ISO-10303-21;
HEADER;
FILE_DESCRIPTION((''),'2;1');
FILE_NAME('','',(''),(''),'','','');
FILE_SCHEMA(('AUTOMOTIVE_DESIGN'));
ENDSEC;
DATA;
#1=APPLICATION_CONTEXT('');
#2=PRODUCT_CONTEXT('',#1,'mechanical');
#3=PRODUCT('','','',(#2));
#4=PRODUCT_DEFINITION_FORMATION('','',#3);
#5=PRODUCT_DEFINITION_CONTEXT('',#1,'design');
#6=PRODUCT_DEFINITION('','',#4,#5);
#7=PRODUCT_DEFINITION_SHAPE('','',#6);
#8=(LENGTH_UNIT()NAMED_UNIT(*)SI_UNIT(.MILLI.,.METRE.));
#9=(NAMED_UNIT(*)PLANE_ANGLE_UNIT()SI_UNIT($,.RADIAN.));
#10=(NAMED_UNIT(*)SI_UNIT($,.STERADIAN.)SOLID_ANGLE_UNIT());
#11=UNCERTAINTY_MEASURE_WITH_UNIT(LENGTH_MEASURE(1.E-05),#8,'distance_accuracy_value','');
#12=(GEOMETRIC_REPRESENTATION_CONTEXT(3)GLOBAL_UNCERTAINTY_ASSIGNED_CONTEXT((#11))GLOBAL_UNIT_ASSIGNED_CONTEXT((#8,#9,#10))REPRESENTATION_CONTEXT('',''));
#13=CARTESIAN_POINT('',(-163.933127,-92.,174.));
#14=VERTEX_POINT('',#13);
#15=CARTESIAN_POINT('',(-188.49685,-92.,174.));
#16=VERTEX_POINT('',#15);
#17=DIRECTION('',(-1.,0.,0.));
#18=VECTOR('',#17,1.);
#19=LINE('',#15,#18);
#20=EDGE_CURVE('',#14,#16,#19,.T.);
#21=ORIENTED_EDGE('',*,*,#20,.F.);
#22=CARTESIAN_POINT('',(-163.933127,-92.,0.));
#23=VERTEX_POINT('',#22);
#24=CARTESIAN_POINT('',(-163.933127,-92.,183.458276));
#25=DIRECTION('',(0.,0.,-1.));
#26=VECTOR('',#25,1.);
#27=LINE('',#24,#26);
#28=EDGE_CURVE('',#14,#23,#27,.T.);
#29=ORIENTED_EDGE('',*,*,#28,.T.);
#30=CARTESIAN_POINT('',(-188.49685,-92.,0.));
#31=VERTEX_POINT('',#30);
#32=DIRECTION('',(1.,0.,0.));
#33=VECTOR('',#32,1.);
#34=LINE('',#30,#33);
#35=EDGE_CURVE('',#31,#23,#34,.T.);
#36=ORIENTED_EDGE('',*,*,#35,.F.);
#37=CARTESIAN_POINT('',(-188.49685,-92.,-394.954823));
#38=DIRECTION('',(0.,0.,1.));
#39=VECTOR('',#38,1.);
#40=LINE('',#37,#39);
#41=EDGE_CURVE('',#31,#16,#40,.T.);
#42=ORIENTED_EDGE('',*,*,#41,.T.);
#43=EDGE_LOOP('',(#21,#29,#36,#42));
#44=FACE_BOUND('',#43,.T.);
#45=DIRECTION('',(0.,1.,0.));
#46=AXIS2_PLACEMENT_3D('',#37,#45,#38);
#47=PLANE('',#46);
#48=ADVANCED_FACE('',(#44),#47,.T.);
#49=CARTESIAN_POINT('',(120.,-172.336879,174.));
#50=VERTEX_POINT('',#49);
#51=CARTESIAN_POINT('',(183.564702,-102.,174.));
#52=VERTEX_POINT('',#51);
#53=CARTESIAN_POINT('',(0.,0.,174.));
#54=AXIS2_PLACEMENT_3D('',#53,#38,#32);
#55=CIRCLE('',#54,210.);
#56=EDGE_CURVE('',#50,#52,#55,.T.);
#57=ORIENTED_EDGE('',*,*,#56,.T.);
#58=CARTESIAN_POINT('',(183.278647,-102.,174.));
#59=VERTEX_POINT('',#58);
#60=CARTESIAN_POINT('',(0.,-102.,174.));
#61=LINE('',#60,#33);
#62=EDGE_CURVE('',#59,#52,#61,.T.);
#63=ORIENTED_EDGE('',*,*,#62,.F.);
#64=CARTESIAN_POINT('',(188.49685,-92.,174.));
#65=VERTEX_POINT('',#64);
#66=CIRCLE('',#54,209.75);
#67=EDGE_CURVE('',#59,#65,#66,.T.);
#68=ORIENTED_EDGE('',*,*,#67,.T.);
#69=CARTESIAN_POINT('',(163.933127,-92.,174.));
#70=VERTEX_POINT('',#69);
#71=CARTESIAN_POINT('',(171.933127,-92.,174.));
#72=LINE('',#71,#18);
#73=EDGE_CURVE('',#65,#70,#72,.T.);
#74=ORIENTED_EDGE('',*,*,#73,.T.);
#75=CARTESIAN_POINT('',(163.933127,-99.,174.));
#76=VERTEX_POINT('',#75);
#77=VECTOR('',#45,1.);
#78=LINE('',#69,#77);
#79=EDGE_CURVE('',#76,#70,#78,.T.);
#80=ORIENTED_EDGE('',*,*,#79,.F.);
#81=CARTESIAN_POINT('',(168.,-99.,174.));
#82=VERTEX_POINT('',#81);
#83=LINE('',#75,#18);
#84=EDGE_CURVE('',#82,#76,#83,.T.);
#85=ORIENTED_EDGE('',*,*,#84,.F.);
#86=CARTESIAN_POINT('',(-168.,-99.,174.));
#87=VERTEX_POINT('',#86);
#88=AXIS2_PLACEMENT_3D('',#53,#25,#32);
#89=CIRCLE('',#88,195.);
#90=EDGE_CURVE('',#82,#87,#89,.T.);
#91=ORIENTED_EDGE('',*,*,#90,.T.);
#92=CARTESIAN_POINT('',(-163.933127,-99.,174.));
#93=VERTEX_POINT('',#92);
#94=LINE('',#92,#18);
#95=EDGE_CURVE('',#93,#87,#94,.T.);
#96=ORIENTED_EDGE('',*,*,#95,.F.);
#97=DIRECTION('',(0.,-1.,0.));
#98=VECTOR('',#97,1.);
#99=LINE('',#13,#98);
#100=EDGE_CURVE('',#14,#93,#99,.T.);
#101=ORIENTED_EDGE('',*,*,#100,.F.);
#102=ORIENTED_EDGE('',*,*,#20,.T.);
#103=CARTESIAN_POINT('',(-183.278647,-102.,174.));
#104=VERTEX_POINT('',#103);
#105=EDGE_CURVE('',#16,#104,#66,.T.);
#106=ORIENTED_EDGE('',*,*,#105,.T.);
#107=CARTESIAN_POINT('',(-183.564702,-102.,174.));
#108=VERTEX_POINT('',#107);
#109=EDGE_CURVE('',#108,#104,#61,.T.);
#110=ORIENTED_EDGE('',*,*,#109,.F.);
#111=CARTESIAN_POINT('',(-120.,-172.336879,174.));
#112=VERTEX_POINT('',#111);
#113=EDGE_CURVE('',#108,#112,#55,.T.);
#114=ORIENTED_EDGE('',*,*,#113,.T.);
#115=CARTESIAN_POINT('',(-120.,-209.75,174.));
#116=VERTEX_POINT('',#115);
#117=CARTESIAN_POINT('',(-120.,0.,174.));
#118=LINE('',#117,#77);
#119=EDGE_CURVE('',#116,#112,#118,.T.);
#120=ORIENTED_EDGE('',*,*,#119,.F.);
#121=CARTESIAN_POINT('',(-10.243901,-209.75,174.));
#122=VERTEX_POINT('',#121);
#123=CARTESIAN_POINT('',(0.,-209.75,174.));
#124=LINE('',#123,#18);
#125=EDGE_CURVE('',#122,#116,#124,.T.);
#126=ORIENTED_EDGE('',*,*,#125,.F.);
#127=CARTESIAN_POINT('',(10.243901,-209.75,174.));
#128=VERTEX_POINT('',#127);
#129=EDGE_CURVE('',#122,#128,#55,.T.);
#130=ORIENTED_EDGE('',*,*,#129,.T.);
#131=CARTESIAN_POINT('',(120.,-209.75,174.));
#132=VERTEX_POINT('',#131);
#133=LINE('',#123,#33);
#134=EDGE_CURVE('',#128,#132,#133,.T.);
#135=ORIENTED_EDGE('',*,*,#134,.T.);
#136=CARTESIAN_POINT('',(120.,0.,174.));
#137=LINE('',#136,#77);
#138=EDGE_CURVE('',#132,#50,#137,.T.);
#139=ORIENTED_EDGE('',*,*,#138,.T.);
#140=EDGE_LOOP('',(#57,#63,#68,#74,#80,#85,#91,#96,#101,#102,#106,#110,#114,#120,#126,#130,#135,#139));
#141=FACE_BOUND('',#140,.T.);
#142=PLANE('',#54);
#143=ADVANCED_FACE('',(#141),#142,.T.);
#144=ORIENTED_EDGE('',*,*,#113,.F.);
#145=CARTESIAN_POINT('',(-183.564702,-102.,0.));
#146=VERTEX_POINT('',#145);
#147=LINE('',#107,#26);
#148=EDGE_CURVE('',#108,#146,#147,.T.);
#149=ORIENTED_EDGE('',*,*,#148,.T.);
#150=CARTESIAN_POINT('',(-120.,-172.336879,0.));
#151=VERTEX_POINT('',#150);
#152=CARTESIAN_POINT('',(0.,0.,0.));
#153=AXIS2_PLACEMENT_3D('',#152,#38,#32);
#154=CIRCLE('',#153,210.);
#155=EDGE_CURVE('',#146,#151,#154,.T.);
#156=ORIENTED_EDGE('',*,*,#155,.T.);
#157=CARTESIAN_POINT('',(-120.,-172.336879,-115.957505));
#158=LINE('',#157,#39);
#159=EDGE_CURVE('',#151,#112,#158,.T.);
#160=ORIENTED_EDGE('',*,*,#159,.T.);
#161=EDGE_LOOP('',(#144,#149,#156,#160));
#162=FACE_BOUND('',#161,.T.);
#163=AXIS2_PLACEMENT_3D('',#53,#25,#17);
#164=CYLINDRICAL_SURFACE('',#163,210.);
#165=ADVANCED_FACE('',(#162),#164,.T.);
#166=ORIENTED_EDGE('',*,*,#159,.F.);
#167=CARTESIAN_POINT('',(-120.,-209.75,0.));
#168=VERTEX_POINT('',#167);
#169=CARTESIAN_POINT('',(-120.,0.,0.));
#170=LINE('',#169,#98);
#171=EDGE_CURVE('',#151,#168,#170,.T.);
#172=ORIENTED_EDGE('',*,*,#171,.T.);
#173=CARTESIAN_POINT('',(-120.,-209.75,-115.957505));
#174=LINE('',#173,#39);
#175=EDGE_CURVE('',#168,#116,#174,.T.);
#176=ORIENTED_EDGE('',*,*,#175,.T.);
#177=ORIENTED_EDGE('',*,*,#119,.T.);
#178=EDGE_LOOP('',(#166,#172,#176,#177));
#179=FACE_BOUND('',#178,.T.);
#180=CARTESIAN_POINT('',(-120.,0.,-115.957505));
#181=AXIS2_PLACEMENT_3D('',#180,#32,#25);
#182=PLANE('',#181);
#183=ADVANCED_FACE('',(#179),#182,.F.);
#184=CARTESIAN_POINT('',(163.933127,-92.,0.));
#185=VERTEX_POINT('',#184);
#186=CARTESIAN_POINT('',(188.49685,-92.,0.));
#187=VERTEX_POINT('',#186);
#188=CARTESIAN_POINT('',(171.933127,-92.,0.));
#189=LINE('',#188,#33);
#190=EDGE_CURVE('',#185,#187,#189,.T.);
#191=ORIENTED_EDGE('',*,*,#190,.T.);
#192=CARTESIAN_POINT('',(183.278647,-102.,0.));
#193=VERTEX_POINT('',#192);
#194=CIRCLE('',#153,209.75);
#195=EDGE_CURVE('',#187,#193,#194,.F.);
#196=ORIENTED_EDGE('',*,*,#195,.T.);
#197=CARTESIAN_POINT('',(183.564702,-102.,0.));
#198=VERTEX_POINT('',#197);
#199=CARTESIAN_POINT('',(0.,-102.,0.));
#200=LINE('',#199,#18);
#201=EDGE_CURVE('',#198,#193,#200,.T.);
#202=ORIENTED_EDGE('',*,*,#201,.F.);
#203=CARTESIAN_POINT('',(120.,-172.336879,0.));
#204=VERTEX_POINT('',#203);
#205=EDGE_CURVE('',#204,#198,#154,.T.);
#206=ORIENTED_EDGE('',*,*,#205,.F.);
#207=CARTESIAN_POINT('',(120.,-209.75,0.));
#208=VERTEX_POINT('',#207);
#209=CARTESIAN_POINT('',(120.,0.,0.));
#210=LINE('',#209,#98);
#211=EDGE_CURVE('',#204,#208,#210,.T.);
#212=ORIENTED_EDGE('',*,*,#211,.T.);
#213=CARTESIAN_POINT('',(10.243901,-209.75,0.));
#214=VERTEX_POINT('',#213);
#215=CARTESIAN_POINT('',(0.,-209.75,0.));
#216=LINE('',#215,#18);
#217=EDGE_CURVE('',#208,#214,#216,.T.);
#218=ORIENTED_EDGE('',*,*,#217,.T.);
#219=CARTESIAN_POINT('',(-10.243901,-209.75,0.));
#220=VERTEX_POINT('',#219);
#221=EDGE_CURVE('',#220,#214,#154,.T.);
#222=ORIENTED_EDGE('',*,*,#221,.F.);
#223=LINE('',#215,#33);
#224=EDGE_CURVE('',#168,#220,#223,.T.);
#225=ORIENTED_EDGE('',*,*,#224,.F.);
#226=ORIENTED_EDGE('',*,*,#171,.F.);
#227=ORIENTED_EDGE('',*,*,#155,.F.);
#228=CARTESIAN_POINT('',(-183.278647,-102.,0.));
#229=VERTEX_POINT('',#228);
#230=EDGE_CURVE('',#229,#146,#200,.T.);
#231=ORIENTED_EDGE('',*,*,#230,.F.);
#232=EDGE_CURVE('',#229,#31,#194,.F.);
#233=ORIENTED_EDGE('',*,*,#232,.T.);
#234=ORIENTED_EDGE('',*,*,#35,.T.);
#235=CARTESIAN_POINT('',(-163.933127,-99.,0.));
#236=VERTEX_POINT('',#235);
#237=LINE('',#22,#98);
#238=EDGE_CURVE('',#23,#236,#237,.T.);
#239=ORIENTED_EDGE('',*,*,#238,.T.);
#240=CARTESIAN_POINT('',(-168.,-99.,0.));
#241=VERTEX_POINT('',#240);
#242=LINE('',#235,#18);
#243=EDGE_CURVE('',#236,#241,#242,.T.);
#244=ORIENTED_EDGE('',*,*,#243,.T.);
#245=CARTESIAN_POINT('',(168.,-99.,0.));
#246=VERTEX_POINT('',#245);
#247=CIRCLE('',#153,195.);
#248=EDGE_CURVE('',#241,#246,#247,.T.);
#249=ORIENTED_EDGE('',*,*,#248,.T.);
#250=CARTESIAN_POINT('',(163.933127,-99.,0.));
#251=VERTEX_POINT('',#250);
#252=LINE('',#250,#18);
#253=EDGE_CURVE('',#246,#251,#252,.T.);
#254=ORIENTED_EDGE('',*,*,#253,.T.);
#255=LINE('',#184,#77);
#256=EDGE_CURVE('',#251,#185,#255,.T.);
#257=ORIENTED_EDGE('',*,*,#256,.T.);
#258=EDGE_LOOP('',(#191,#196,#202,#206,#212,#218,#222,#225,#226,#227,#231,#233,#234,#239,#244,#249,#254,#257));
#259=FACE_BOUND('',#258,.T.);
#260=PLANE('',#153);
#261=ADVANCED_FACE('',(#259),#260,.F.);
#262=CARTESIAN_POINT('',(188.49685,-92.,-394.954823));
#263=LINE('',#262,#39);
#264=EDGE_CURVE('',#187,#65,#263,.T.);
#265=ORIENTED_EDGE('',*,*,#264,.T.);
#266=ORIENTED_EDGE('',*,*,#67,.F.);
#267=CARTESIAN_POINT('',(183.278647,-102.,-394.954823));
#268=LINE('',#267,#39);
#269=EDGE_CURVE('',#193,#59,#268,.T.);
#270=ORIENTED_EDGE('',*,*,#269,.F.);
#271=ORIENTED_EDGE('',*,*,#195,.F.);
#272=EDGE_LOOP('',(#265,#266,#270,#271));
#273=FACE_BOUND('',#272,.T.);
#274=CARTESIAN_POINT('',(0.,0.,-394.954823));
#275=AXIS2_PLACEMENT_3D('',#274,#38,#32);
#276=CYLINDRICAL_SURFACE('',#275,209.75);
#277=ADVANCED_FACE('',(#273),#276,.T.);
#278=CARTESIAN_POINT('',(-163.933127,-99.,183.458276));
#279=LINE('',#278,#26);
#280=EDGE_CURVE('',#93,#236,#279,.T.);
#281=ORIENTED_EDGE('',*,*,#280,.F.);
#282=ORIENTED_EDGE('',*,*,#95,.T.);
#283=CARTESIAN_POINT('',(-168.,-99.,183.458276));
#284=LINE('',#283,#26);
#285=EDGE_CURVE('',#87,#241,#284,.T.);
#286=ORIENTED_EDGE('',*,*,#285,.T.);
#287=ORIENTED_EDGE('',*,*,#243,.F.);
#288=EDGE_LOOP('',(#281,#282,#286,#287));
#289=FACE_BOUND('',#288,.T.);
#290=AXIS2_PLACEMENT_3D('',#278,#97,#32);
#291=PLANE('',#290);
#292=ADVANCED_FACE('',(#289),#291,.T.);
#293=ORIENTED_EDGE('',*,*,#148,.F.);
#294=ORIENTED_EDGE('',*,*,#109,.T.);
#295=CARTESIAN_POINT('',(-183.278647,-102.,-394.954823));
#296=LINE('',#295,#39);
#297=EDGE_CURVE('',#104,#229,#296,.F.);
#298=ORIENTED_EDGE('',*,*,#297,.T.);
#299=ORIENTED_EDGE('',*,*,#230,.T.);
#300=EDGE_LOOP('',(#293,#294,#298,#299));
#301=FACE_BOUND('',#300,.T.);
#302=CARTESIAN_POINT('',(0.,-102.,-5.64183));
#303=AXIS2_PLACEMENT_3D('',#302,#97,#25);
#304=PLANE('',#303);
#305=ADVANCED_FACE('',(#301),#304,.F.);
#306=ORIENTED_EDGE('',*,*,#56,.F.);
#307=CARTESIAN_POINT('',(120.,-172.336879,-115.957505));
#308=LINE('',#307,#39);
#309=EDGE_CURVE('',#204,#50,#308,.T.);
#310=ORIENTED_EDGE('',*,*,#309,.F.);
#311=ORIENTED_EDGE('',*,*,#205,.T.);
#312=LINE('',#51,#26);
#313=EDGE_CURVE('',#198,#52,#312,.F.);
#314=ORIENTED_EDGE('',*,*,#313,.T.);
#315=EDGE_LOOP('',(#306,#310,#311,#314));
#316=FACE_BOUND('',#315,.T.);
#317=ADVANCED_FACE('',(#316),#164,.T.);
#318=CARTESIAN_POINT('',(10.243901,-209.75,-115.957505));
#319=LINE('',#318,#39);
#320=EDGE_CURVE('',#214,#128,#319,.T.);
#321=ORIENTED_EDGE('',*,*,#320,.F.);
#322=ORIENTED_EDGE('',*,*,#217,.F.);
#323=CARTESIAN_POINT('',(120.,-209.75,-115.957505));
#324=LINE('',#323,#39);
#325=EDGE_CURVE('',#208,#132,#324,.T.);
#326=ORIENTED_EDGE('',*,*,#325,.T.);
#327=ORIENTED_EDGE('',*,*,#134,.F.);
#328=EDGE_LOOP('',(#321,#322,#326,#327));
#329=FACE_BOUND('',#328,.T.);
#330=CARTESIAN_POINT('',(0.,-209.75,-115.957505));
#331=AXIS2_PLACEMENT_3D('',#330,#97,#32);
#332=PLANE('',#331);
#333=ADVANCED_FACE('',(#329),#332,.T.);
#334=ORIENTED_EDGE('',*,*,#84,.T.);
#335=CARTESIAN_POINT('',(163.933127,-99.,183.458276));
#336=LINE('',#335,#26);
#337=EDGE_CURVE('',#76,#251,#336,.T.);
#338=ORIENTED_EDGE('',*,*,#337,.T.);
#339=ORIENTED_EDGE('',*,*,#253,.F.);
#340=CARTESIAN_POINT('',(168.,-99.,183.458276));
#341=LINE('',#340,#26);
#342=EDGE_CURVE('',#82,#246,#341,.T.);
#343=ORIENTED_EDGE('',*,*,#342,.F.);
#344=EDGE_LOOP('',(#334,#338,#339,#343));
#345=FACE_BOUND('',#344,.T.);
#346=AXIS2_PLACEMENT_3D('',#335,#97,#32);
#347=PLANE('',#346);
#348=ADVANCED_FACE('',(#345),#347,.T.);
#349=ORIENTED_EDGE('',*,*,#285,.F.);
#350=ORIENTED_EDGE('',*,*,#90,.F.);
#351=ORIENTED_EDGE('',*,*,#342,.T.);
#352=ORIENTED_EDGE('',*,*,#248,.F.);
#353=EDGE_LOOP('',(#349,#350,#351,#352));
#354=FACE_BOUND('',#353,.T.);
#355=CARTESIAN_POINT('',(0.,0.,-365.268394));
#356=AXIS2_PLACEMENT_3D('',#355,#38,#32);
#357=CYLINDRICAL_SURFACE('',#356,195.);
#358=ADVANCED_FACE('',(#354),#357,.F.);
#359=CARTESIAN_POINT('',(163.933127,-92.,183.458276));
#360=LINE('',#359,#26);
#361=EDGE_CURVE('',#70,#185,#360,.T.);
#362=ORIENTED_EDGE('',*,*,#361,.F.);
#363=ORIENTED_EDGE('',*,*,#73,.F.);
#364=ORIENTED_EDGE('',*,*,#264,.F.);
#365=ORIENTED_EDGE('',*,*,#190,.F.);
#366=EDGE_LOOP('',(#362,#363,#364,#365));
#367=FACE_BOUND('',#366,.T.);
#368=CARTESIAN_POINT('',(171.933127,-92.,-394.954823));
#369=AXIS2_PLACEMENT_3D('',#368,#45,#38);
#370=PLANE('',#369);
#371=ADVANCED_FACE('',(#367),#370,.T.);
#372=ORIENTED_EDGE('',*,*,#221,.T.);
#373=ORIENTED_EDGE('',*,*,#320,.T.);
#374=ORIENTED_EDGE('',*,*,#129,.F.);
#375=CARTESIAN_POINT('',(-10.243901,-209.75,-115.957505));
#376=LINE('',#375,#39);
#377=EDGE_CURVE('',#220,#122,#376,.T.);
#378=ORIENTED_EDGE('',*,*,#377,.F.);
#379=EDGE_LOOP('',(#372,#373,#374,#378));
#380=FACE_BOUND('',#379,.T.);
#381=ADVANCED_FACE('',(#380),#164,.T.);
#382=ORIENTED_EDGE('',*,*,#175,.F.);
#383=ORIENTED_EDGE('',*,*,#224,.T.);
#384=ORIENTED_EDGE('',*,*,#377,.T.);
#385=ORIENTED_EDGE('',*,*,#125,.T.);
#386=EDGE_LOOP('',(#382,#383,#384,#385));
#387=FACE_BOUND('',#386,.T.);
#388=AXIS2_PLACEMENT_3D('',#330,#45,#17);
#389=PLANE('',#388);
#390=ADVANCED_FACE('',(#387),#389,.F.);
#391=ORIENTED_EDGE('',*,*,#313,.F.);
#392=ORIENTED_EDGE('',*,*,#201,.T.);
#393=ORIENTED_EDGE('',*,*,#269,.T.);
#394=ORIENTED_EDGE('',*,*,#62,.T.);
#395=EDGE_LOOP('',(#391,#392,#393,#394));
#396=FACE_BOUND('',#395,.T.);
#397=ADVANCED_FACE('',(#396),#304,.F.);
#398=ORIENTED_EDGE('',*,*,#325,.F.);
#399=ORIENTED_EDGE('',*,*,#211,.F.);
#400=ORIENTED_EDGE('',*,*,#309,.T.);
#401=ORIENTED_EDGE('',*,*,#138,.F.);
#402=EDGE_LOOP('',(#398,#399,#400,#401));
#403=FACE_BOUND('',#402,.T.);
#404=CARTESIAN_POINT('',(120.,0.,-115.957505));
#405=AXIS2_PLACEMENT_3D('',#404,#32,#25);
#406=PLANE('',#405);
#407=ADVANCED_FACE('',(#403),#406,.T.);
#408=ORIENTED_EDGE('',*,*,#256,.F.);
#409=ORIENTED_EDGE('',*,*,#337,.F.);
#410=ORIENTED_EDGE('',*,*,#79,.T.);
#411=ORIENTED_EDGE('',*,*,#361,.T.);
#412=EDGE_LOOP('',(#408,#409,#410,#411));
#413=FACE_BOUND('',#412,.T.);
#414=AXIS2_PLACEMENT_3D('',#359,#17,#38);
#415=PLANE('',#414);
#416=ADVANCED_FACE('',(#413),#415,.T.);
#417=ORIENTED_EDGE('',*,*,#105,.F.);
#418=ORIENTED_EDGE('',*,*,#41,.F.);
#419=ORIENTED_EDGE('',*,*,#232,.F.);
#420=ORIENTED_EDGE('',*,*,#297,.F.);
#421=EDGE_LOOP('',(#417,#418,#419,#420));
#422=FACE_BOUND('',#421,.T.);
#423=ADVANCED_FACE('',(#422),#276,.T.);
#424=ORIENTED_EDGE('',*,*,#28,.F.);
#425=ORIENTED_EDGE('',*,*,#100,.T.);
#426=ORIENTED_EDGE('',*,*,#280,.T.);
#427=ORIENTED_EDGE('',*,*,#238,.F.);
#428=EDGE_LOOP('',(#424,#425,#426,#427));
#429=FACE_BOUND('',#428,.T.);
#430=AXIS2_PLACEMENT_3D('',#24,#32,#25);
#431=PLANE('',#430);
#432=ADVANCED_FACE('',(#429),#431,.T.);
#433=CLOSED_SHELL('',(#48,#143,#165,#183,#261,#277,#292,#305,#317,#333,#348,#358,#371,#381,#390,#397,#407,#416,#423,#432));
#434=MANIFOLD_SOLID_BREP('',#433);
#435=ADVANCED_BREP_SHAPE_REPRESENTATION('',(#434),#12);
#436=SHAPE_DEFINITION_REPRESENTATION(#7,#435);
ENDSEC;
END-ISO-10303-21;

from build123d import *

# Parameters (mm, degrees)
SKETCH_1_R          = 210
SKETCH_1_R_2        = 203
EXTRUDE_2_DEPTH     = 174
EXTRUDE_START       = -174
EXTRUDE_4_DEPTH     = 174
CUT_EXTRUDE_1_DEPTH = 654
EXTRUDE_5_DEPTH     = 174
EXTRUDE_6_DEPTH     = 174
EXTRUDE_7_DEPTH     = 174
EXTRUDE_8_DEPTH     = 174


with BuildPart() as part:
    # 草图1 → 凸台-拉伸2 (new body)
    with BuildSketch(Plane.XY):
        Circle(SKETCH_1_R)
        Circle(SKETCH_1_R_2, mode=Mode.SUBTRACT)
    extrude(amount=EXTRUDE_2_DEPTH)

    # 草图2 → 凸台-拉伸4 (add)
    with BuildSketch(Plane.XY.offset(174).offset(EXTRUDE_START)):
        with BuildLine():
            Line((-170.735431044, -102), (-173.735431044, -102))
            Line((-173.735431044, -102), (-175.513532242, -102))
            ThreePointArc((-175.513532242, -102), (-174.63092392, -103.50381834), (-173.735431044, -105))
            Line((-173.735431044, -105), (-170.735431044, -105))
            Line((-170.735431044, -105), (-170.735431044, -102))
        make_face()
        with BuildLine():
            ThreePointArc((173.735431044, -105), (174.63092392, -103.50381834), (175.513532242, -102))
            Line((175.513532242, -102), (173.735431044, -102))
            Line((173.735431044, -102), (170.735431044, -102))
            Line((170.735431044, -102), (170.735431044, -105))
            Line((170.735431044, -105), (173.735431044, -105))
        make_face()
    extrude(amount=EXTRUDE_4_DEPTH)

    # 草图3 → 切除-拉伸1 (cut)
    with BuildSketch(Plane.XY.offset(174)):
        Polygon((-170.735431044, -102), (238.333646515, -102), (254.334169784, 272.292523591), (-334.569415043, 221.85110305), (-306.830562533, -102), align=None)
    extrude(amount=-CUT_EXTRUDE_1_DEPTH, mode=Mode.SUBTRACT)

    # 草图5 → 凸台-拉伸5 (add)
    with BuildSketch(Plane.XY.offset(174).offset(EXTRUDE_START)):
        with BuildLine():
            Line((-120, -209.75), (-10.243900624, -209.75))
            ThreePointArc((-10.243900624, -209.75), (-67.755470707, -198.769203322), (-120, -172.336879396))
            Line((-120, -172.336879396), (-120, -209.75))
        make_face()
        with BuildLine():
            ThreePointArc((120, -172.336879396), (67.755470707, -198.769203322), (10.243900624, -209.75))
            Line((10.243900624, -209.75), (120, -209.75))
            Line((120, -209.75), (120, -172.336879396))
        make_face()
    extrude(amount=EXTRUDE_5_DEPTH)

    # 草图6 → 凸台-拉伸6 (add)
    with BuildSketch(Plane.XY.offset(174).offset(EXTRUDE_START)):
        with BuildLine():
            Line((-175.513532242, -102), (-166.195667814, -102))
            ThreePointArc((-166.195667814, -102), (0, -195), (166.195667814, -102))
            Line((166.195667814, -102), (175.513532242, -102))
            ThreePointArc((175.513532242, -102), (0, -203), (-175.513532242, -102))
        make_face()
    extrude(amount=EXTRUDE_6_DEPTH)

    # 草图7 → 凸台-拉伸7 (add)
    with BuildSketch(Plane.XY.offset(174).offset(EXTRUDE_START)):
        with BuildLine():
            Line((-166.933126535, -92), (-166.933126535, -95))
            Line((-166.933126535, -95), (-170.293863659, -95))
            ThreePointArc((-170.293863659, -95), (0, -195), (170.293863659, -95))
            Line((170.293863659, -95), (166.933126535, -95))
            Line((166.933126535, -95), (166.933126535, -92))
            Line((166.933126535, -92), (171.933126535, -92))
            Line((171.933126535, -92), (188.496850106, -92))
            ThreePointArc((188.496850106, -92), (0, -209.75), (-188.496850106, -92))
            Line((-188.496850106, -92), (-171.933126535, -92))
            Line((-171.933126535, -92), (-166.933126535, -92))
        make_face()
    extrude(amount=EXTRUDE_7_DEPTH)

    # 草图8 → 凸台-拉伸8 (add)
    with BuildSketch(Plane(origin=(0, 0, 0), x_dir=(-1, 0, 0), z_dir=(0, 0, -1))):
        with BuildLine():
            Line((166.933126535, -92), (163.933126535, -92))
            Line((163.933126535, -92), (163.933126535, -99))
            Line((163.933126535, -99), (168, -99))
            ThreePointArc((168, -99), (169.158755456, -97.006780447), (170.293863659, -95))
            Line((170.293863659, -95), (166.933126535, -95))
            Line((166.933126535, -95), (166.933126535, -92))
        make_face()
        with BuildLine():
            Line((-166.933126535, -95), (-170.293863659, -95))
            ThreePointArc((-170.293863659, -95), (-169.158755456, -97.006780447), (-168, -99))
            Line((-168, -99), (-163.933126535, -99))
            Line((-163.933126535, -99), (-163.933126535, -92))
            Line((-163.933126535, -92), (-166.933126535, -92))
            Line((-166.933126535, -92), (-166.933126535, -95))
        make_face()
    extrude(amount=-EXTRUDE_8_DEPTH)


solid = part.part
